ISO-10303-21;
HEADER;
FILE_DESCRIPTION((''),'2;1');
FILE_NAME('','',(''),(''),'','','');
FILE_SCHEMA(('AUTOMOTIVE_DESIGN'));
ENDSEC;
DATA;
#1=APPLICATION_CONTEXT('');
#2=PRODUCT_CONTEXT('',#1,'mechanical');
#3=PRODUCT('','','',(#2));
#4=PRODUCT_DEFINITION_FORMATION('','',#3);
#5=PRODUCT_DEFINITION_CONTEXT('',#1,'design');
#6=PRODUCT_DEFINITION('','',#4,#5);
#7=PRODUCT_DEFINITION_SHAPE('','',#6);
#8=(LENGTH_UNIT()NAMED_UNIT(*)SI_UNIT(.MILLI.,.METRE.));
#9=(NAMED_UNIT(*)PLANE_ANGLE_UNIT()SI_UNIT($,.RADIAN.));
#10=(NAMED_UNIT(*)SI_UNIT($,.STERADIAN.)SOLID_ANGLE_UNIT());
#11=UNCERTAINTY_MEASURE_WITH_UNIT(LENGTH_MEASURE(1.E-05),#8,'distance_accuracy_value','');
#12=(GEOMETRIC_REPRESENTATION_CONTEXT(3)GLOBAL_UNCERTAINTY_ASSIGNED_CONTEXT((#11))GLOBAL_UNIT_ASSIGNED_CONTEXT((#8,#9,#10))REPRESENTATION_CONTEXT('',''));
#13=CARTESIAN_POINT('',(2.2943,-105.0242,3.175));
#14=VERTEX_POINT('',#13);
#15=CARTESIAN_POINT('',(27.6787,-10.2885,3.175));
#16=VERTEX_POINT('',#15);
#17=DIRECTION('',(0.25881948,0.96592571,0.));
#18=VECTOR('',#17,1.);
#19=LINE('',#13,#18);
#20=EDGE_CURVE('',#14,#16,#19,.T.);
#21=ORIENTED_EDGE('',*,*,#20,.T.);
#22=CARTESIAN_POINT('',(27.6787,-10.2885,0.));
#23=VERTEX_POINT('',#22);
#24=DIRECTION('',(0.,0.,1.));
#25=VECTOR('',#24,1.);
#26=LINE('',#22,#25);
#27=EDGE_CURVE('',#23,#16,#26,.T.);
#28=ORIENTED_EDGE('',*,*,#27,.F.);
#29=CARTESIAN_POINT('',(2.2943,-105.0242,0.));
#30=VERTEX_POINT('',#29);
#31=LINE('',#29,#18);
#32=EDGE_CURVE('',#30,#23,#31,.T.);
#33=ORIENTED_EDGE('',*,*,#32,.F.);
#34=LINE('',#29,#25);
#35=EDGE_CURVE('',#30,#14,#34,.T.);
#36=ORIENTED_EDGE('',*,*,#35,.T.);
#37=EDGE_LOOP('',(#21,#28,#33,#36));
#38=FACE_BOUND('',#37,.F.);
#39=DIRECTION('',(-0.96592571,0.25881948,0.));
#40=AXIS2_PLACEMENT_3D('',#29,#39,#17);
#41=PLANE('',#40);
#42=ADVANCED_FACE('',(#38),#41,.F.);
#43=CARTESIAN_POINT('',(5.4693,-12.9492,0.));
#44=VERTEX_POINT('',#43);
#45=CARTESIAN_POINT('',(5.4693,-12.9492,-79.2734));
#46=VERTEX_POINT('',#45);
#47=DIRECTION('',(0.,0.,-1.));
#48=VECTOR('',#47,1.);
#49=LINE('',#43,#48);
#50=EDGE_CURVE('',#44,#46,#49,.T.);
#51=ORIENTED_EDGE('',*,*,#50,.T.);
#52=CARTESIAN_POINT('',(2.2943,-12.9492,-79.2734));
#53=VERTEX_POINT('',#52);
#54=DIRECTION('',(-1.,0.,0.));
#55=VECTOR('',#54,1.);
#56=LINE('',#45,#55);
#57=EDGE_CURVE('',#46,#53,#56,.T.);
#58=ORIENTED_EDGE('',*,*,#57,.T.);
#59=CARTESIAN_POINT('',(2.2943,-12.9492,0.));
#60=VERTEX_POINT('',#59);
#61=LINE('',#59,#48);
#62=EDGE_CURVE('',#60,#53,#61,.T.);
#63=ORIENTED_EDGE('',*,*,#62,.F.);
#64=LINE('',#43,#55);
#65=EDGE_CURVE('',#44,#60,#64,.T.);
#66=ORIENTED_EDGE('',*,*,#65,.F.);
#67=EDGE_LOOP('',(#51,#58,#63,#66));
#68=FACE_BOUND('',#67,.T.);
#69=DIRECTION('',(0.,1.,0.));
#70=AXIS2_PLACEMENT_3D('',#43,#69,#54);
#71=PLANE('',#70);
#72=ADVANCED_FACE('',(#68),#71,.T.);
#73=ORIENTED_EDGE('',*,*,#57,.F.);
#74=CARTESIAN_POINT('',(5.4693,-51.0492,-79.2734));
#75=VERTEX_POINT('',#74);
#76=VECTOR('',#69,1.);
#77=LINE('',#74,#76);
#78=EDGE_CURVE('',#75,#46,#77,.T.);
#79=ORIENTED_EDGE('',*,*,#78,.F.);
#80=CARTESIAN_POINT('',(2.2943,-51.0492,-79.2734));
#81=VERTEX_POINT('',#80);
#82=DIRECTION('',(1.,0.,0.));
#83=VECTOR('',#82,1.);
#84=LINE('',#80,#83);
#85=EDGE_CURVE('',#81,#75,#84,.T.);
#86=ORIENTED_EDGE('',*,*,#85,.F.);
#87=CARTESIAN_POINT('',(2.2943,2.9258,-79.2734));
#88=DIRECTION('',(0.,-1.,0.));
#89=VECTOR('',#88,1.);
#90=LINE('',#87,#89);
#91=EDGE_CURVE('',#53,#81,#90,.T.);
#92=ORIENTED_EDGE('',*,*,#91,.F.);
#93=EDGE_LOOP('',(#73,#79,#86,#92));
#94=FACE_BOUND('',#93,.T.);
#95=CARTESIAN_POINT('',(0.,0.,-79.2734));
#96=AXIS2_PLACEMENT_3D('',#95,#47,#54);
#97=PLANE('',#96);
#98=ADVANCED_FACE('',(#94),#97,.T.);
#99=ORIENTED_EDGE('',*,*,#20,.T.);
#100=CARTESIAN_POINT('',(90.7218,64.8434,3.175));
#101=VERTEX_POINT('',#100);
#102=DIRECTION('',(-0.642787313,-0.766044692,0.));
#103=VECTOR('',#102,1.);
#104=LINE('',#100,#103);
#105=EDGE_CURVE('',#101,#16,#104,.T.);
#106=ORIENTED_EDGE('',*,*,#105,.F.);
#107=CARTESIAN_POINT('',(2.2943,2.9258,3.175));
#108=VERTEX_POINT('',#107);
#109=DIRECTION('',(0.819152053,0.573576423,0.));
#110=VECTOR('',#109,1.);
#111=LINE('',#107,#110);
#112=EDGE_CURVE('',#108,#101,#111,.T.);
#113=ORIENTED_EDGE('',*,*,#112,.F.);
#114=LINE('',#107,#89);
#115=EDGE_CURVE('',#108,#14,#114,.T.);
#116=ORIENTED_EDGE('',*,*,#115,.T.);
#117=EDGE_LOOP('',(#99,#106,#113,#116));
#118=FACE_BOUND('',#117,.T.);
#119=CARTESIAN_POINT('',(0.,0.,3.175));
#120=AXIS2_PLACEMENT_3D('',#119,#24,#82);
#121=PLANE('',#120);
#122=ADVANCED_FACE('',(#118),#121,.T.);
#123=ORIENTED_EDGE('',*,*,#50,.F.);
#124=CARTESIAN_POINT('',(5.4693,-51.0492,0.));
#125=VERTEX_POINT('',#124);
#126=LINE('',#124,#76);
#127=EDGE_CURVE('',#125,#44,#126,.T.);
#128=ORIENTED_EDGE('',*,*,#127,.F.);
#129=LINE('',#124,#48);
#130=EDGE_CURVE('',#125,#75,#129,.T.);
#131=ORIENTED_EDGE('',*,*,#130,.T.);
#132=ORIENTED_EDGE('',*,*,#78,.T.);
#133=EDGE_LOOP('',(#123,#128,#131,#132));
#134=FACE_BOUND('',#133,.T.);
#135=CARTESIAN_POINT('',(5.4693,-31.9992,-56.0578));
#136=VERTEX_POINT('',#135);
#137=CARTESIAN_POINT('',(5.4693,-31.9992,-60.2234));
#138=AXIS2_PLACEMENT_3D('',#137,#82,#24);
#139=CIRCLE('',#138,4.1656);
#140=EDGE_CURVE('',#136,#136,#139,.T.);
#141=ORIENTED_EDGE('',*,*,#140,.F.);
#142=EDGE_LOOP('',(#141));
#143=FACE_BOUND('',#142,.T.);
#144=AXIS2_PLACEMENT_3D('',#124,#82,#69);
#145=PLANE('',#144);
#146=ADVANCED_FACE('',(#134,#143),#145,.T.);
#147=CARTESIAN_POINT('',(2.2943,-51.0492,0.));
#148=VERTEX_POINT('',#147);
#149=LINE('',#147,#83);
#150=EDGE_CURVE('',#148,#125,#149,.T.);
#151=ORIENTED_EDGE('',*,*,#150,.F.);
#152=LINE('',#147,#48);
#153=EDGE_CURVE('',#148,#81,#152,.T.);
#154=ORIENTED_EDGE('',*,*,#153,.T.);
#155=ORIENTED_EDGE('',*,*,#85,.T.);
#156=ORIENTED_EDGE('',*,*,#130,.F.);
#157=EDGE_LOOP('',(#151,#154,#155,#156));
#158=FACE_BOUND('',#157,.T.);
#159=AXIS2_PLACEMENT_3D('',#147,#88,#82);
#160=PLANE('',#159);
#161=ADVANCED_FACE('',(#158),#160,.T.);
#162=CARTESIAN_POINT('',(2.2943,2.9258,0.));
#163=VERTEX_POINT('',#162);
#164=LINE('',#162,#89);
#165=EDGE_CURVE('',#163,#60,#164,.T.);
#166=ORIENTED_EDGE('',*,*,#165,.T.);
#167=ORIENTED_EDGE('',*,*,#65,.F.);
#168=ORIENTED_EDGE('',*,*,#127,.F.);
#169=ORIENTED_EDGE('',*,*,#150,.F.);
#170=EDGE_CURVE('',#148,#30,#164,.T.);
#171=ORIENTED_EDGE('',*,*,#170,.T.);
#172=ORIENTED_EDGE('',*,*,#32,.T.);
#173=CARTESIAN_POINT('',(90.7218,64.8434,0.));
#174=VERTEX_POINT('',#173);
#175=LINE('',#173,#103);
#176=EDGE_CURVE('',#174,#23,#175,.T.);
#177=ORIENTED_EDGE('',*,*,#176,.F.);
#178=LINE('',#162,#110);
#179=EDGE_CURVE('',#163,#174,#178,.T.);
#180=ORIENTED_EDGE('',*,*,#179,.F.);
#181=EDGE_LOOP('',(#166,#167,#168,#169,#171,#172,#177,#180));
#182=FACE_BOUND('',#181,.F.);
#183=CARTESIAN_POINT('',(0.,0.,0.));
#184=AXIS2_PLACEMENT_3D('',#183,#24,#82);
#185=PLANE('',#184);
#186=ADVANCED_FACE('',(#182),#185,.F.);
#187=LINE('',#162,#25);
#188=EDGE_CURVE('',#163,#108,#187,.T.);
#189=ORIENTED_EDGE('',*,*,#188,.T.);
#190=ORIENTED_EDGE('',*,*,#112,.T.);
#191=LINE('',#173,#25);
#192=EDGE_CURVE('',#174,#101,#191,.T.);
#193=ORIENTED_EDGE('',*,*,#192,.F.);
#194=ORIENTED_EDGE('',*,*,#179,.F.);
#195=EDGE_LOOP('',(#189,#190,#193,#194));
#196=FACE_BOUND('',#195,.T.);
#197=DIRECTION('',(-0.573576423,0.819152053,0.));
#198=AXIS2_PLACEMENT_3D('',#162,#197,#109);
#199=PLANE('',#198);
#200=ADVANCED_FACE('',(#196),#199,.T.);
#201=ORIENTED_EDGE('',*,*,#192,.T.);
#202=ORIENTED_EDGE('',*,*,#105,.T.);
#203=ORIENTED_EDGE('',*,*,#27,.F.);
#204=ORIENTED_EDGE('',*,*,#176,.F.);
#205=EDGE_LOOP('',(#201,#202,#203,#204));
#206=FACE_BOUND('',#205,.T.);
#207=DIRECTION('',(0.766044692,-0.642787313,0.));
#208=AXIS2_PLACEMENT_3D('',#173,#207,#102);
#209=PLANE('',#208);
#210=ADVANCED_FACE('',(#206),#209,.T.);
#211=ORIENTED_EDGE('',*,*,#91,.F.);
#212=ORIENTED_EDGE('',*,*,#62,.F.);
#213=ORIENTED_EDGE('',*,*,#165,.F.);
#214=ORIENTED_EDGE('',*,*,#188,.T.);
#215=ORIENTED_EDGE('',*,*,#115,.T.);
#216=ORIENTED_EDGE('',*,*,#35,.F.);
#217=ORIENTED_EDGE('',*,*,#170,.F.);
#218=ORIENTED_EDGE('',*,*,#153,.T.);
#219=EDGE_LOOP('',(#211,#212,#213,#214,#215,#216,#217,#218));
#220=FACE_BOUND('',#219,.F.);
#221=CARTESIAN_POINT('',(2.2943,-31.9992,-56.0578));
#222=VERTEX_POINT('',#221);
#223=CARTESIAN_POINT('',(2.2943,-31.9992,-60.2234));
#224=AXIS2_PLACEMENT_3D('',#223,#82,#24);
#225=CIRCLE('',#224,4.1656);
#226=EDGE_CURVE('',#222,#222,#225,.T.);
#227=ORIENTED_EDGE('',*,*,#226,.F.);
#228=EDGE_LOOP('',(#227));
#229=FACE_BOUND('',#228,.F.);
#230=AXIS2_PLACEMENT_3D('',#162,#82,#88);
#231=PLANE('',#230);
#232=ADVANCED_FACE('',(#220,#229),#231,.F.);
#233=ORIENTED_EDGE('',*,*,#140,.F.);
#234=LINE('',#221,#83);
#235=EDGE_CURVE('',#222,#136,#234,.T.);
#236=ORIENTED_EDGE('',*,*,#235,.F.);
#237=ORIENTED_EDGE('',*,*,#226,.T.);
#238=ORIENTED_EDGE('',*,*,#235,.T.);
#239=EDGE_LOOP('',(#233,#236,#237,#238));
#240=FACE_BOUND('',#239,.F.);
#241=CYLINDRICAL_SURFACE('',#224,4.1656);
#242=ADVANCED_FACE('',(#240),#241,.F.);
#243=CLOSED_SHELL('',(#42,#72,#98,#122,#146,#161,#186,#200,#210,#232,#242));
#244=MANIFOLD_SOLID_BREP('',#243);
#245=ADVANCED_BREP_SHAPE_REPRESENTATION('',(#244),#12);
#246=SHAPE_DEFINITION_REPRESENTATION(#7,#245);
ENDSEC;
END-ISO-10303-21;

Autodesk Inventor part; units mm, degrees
ref_plane "YZ Plane" through (0, 0, 0) normal (1, 0, 0) x (0, 1, 0)
ref_plane "XZ Plane" through (0, 0, 0) normal (0, 1, 0) x (-1, 0, 0)
ref_plane "XY Plane" through (0, 0, 0) normal (0, 0, 1) x (1, 0, 0)
sketch "Sketch1" plane through (0, 0, 0) normal (0, 0, 1) x (1, 0, 0)
  line L0 (2.2943, 2.9258) -> (2.2943, -105.0242)
  line L1 (2.2943, 2.9258) -> (90.7218, 64.8434)
  line L2 (90.7218, 64.8434) -> (27.6787, -10.2885)
  line L3 (2.2943, -105.0242) -> (27.6787, -10.2885)
  point P0 (0, 0)
  dimension "d0" = 107.95
  dimension "d1" = 107.95
extrude "Extrusion1" add sketch "Sketch1" along normal blind 3.175
sketch "Sketch2" plane through (0, 0, 0) normal (0, 0, -1) x (-1, 0, 0)
  line L0 (-2.2943, 2.9258) -> (-2.2943, -105.0242)
  line L1 (-2.2943, -51.0492) -> (-5.4693, -51.0492)
  line L2 (-5.4693, -51.0492) -> (-5.4693, -12.9492)
  line L3 (-5.4693, -12.9492) -> (-2.2943, -12.9492)
  point P0 (0, 0)
  dimension "d8" = 3.175
  dimension "d9" = 38.1
extrude "Extrusion2" add sketch "Sketch2" along normal blind 79.2734
sketch "Sketch3" plane through (2.2943, -105.0242, 3.175) normal (-1, 0, 0) x (0, 0, 1)
  line L0 (-82.4484, 92.075) -> (-63.3984, 92.075)
  line L1 (-63.3984, 92.075) -> (-63.3984, 73.025)
  line L2 (-63.3984, 73.025) -> (-82.4484, 73.025)
  line L3 (-82.4484, 73.025) -> (-82.4484, 92.075)
  point P0 (-3.175, 105.0242)
  dimension "d12" = 19.05
  dimension "d13" = 19.05
hole "Hole1" at (2.2943, -31.9992, -60.2234) direction (1, 0, 0) diameter 8.3312 end through all
properties part number "Left Hip"
